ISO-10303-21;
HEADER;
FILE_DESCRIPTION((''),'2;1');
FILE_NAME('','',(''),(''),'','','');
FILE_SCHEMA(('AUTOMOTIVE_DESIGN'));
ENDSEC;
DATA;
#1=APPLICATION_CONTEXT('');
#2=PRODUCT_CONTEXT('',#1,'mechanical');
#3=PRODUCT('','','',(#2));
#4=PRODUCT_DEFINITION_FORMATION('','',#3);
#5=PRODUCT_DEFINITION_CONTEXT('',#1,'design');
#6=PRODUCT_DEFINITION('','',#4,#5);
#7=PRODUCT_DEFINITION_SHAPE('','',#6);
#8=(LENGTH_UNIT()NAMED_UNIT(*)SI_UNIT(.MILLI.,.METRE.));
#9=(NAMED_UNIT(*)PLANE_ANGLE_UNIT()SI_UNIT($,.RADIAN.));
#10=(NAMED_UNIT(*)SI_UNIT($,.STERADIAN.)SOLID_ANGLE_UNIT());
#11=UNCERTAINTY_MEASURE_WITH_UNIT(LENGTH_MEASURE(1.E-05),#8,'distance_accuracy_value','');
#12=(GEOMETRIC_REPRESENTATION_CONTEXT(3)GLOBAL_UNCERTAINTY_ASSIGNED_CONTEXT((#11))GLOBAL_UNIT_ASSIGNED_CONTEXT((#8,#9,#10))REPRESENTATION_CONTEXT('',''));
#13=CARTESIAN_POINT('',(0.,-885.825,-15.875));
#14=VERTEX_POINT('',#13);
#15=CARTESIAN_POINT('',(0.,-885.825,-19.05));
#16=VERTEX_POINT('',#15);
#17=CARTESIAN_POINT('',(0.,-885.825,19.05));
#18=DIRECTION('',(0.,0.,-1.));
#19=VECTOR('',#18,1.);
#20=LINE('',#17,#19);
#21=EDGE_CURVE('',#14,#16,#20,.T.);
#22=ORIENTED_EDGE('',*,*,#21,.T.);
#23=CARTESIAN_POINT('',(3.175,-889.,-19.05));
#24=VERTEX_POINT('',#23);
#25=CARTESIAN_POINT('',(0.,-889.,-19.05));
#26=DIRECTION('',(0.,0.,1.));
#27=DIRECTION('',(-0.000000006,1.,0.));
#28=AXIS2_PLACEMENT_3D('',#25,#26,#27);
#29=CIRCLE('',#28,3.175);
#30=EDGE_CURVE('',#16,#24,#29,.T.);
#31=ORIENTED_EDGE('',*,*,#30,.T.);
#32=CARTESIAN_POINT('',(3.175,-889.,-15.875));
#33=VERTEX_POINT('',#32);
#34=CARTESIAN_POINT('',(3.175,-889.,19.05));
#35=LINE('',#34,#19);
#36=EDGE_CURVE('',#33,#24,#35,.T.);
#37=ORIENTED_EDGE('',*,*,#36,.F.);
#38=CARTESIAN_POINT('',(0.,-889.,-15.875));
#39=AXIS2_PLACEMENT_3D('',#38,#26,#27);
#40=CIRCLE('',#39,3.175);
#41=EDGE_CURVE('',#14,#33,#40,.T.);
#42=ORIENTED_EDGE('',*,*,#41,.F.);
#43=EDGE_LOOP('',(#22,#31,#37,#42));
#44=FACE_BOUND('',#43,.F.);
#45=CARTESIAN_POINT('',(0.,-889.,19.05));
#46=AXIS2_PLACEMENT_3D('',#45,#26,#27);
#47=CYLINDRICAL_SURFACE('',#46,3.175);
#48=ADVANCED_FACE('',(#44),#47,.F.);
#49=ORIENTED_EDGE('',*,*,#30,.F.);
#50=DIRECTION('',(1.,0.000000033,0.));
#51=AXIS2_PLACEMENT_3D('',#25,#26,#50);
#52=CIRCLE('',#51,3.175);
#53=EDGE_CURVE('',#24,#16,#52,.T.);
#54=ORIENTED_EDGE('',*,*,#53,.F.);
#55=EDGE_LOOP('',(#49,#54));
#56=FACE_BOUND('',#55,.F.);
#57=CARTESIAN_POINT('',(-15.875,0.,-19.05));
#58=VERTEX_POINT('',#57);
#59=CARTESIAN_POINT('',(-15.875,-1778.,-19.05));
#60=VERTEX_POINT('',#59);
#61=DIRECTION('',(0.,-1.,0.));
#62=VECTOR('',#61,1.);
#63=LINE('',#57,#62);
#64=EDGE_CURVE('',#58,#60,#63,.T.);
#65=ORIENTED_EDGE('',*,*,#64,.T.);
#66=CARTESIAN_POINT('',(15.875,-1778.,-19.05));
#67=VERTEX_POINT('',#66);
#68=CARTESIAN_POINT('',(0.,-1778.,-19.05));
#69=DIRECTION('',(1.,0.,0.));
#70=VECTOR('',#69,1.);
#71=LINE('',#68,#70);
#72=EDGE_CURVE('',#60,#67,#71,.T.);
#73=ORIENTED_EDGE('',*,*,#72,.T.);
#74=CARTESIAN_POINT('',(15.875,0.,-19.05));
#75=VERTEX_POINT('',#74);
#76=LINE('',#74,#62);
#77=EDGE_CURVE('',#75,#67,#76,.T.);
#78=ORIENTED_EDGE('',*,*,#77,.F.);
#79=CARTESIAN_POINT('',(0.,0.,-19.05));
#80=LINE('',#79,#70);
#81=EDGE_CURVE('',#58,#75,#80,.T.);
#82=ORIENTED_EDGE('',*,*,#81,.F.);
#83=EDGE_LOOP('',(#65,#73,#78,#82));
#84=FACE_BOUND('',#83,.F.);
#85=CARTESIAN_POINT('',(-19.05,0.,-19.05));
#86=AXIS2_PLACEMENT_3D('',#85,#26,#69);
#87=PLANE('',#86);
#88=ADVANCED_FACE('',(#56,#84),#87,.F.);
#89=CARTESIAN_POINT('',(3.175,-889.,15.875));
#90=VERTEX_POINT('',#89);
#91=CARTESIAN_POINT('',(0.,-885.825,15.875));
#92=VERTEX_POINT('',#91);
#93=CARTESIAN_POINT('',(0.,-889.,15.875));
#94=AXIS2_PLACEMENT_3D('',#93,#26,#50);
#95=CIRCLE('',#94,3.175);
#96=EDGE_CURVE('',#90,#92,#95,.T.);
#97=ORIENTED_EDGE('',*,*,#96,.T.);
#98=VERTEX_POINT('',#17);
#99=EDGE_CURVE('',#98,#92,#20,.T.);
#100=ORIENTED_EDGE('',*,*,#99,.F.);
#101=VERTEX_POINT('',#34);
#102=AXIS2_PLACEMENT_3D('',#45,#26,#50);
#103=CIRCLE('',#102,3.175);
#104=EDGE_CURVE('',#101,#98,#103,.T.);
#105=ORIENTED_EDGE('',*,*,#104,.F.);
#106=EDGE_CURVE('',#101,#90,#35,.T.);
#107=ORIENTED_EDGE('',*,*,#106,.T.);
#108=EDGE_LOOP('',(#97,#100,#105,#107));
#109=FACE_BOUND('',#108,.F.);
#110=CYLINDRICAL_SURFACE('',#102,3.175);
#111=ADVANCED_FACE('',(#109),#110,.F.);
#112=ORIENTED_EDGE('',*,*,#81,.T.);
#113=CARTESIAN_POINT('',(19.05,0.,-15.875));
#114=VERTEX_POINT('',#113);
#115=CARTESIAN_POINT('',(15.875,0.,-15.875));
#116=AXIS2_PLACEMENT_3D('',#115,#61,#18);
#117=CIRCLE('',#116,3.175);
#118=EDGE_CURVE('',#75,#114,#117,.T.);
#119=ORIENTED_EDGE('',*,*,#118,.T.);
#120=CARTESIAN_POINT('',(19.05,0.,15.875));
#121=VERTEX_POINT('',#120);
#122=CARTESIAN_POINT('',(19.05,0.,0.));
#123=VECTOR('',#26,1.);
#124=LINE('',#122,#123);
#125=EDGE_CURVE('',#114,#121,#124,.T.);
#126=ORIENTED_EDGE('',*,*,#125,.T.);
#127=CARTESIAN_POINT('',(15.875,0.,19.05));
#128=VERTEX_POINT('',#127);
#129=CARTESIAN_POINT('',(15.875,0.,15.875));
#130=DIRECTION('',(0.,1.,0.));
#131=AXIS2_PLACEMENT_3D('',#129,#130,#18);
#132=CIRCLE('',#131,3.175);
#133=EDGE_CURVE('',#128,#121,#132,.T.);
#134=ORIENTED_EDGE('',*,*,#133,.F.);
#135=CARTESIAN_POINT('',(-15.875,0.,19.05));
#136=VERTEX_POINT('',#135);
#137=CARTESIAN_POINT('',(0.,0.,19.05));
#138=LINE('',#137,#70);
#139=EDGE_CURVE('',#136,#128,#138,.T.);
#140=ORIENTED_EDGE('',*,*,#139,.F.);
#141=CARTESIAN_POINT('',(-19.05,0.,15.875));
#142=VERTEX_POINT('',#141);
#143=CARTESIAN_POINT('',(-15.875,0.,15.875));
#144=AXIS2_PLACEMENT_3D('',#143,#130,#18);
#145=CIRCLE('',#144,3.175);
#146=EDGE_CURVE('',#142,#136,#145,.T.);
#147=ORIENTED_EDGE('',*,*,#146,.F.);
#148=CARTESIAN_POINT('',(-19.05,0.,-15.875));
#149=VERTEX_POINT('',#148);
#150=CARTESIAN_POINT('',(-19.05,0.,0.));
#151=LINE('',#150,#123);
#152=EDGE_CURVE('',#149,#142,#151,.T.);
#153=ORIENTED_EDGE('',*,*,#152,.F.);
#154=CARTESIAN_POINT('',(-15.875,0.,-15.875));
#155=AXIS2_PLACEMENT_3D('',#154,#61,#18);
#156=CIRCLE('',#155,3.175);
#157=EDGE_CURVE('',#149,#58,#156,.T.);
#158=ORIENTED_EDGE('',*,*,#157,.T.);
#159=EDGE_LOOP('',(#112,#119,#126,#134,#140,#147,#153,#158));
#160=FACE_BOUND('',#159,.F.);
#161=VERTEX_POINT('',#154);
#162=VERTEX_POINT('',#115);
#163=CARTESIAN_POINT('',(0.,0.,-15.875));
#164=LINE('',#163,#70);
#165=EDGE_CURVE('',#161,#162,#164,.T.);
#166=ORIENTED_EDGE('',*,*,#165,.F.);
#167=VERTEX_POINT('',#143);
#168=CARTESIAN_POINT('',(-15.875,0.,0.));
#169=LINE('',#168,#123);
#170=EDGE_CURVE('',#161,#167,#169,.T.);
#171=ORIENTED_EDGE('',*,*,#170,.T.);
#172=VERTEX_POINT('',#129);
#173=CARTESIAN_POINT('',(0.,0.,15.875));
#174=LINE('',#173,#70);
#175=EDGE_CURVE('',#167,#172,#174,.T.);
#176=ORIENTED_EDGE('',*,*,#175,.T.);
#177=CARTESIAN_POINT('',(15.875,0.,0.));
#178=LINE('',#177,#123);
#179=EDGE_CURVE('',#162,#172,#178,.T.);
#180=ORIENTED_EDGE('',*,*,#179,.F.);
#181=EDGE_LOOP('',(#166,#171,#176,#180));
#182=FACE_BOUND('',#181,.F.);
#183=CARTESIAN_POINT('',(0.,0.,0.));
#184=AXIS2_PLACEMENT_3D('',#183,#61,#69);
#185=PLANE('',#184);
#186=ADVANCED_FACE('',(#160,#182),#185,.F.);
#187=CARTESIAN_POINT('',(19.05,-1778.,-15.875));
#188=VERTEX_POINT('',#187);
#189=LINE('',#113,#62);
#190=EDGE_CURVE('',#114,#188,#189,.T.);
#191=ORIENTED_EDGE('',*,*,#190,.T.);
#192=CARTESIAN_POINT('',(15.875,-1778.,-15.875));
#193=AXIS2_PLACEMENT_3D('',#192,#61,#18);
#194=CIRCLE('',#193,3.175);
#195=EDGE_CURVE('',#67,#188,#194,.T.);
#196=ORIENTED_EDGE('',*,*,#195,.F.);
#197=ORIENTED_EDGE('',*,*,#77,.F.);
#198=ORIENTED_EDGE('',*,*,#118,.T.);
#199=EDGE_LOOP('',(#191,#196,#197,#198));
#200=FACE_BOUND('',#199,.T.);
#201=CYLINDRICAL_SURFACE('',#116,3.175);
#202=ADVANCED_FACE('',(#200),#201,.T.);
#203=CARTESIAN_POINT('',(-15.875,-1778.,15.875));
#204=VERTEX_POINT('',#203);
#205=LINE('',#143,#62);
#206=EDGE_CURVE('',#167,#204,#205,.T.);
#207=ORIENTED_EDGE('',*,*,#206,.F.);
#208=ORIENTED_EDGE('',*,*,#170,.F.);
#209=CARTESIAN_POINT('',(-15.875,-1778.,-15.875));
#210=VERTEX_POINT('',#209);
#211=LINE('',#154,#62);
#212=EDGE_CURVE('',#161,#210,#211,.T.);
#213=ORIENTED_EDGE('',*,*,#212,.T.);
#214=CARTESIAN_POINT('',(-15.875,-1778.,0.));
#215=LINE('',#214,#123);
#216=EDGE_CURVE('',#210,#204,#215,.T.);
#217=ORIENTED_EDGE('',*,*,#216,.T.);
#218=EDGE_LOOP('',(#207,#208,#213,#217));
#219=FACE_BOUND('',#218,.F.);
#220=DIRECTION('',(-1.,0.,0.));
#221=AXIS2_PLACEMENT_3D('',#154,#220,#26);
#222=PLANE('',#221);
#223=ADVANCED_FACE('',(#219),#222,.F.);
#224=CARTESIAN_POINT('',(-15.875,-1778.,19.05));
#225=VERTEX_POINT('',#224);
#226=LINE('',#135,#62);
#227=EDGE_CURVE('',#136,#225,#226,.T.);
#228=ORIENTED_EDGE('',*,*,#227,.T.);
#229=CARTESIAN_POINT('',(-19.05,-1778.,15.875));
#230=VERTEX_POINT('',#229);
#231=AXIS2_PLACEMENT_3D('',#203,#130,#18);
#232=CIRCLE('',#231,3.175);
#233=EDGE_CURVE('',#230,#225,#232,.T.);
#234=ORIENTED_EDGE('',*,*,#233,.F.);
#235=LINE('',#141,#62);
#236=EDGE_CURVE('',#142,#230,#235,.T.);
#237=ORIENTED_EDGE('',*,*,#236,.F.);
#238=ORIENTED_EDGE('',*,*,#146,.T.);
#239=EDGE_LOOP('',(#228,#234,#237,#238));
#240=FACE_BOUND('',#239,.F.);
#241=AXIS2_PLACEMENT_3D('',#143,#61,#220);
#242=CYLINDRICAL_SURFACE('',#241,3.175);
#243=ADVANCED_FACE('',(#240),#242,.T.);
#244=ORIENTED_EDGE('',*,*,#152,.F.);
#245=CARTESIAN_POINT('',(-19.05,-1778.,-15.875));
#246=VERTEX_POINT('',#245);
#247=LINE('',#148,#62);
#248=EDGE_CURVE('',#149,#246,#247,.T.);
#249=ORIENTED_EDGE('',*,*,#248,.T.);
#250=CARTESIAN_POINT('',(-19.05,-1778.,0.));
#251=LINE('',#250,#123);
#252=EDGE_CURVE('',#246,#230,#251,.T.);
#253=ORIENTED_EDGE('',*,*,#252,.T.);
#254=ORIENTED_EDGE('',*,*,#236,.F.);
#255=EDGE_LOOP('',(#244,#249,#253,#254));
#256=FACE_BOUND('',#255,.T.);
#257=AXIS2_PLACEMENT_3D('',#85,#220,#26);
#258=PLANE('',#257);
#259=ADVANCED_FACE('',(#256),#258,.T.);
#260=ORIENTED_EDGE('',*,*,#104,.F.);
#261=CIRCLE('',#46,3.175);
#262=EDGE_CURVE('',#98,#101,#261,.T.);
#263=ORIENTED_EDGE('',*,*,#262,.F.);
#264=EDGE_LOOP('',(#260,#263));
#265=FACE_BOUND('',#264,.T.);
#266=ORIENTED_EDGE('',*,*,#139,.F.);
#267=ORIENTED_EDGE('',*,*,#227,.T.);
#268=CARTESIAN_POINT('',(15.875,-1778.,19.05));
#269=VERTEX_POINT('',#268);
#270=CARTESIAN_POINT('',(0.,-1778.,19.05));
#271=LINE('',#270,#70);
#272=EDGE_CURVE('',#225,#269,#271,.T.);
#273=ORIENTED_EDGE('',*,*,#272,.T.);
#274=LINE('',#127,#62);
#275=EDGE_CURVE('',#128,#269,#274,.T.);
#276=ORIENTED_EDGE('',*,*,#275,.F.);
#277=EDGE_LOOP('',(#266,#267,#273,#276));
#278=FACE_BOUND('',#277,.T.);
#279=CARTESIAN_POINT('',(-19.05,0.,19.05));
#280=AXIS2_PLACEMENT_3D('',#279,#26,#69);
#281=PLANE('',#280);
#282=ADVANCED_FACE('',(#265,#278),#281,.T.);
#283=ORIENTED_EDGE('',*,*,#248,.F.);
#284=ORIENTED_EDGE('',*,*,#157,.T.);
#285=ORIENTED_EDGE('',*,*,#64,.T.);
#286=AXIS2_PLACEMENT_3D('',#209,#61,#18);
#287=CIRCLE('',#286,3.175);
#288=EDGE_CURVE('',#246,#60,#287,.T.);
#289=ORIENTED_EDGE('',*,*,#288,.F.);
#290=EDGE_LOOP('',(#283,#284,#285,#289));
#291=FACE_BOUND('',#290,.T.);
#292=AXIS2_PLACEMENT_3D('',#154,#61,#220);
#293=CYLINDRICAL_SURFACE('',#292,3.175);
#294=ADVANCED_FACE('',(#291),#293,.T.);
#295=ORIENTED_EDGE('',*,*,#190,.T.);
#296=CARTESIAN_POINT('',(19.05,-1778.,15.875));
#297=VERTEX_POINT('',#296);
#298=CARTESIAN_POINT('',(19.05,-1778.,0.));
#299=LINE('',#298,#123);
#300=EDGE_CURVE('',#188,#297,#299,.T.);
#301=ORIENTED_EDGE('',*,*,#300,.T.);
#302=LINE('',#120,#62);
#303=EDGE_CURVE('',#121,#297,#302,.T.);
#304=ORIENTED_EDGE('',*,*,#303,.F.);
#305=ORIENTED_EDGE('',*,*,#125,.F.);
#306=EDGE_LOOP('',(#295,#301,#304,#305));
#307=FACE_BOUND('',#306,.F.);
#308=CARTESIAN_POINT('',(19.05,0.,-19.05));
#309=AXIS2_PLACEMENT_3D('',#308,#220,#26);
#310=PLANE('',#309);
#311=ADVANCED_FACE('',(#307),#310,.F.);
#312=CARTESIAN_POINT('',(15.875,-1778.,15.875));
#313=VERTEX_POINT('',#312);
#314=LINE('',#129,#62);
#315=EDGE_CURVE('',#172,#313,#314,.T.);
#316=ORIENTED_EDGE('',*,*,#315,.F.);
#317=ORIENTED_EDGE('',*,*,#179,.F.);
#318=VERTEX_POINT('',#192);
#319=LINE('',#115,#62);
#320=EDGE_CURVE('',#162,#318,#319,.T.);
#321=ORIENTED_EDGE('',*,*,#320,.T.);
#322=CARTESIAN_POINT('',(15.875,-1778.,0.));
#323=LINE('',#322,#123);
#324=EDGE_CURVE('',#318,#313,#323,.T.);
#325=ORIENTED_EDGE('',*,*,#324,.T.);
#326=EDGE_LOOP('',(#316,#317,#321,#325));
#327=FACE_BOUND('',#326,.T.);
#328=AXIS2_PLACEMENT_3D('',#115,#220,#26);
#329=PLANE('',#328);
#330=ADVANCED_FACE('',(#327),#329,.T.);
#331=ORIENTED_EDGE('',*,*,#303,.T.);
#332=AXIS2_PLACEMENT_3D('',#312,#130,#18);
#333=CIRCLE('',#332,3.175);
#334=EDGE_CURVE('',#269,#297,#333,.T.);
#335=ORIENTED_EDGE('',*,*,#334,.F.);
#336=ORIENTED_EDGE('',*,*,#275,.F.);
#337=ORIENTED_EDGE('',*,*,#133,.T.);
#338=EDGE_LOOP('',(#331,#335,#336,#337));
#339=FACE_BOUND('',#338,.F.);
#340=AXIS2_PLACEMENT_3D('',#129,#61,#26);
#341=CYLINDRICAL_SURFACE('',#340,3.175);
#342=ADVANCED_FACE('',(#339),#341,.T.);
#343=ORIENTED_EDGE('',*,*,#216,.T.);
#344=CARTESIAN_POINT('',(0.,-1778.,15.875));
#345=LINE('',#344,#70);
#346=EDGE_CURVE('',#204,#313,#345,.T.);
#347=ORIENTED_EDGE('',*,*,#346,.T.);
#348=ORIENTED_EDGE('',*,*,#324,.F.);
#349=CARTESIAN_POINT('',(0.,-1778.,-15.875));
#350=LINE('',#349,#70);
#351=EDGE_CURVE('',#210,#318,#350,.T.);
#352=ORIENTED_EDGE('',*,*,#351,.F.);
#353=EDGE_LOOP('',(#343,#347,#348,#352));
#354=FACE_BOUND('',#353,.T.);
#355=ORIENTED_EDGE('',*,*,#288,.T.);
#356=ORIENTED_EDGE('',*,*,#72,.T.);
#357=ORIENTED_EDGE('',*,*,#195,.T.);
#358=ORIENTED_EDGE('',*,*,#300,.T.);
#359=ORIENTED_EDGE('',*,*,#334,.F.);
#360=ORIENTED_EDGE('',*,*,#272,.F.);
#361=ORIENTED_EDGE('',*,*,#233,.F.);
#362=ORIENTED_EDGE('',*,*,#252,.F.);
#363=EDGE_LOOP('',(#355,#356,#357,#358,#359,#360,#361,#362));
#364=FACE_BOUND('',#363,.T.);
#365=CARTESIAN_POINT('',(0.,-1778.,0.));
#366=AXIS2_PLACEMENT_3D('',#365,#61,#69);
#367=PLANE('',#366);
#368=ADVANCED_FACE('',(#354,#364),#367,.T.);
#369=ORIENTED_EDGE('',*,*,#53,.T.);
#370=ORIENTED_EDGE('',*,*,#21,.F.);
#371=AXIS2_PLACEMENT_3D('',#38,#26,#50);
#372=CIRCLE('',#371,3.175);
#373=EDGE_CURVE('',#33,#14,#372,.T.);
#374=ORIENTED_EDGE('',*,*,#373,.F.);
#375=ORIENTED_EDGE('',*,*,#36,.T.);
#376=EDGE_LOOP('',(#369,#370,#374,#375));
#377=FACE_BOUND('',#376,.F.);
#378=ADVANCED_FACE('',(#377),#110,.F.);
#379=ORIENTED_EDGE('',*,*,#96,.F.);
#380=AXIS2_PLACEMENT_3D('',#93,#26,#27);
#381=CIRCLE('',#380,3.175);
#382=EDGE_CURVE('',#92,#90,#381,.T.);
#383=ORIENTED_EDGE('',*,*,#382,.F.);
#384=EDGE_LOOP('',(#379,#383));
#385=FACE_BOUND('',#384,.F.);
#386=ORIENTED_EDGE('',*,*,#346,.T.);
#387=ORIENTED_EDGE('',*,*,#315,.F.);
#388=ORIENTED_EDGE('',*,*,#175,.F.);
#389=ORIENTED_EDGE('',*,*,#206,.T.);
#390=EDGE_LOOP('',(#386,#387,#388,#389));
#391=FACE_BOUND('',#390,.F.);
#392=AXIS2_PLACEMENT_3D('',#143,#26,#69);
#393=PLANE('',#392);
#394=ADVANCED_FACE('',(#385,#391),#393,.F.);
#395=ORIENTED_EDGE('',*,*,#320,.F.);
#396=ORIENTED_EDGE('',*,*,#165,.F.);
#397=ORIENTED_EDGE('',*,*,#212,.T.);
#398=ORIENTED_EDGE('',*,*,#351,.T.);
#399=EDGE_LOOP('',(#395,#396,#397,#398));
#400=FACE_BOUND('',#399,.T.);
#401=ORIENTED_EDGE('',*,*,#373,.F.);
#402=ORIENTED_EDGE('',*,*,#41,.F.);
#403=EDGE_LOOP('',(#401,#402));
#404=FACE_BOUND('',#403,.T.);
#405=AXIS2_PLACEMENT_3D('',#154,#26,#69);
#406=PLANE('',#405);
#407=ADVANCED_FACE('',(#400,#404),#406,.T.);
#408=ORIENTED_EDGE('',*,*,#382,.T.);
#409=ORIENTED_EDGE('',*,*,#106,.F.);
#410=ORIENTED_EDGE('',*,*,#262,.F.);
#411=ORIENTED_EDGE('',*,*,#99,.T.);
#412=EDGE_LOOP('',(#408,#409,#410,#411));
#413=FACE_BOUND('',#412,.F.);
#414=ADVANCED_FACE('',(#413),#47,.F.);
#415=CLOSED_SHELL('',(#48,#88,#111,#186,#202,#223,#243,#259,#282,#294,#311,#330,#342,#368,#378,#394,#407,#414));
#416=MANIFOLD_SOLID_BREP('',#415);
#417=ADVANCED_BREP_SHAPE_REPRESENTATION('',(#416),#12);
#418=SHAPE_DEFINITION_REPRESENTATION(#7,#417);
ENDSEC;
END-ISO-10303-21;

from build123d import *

# Parameters (mm, degrees)
F0_W     = 38.1
F0_H     = 38.1
F0_W_2   = 31.75
F0_H_2   = 31.75
F1_DEPTH = 1778
F2_R     = 3.175
F4_DEPTH = 38.101


with BuildPart() as f1:
    # F0 (on Front) → F1 (new body)
    with BuildSketch(Plane.XZ):
        Rectangle(F0_W, F0_H)
        Rectangle(F0_W_2, F0_H_2, mode=Mode.SUBTRACT)
    extrude(amount=F1_DEPTH)

    # F2
    f2_edges = [f1.edges().sort_by_distance(p)[0] for p in [
        (19.05, -889, 19.05),
        (19.05, -889, -19.05),
        (-19.05, -889, -19.05),
        (-19.05, -889, 19.05),
    ]]
    fillet(f2_edges, radius=F2_R)

    # F3 (on face) → F4 (cut, through all)
    with BuildSketch(Plane.XY.offset(19.05)):
        with BuildLine():
            ThreePointArc((0, -885.825), (-2.245064, -891.245064), (3.175, -889))
            ThreePointArc((3.175, -889), (2.245064, -886.754936), (0, -885.825))
        make_face()
    extrude(amount=-F4_DEPTH, mode=Mode.SUBTRACT)


solid = f1.part
